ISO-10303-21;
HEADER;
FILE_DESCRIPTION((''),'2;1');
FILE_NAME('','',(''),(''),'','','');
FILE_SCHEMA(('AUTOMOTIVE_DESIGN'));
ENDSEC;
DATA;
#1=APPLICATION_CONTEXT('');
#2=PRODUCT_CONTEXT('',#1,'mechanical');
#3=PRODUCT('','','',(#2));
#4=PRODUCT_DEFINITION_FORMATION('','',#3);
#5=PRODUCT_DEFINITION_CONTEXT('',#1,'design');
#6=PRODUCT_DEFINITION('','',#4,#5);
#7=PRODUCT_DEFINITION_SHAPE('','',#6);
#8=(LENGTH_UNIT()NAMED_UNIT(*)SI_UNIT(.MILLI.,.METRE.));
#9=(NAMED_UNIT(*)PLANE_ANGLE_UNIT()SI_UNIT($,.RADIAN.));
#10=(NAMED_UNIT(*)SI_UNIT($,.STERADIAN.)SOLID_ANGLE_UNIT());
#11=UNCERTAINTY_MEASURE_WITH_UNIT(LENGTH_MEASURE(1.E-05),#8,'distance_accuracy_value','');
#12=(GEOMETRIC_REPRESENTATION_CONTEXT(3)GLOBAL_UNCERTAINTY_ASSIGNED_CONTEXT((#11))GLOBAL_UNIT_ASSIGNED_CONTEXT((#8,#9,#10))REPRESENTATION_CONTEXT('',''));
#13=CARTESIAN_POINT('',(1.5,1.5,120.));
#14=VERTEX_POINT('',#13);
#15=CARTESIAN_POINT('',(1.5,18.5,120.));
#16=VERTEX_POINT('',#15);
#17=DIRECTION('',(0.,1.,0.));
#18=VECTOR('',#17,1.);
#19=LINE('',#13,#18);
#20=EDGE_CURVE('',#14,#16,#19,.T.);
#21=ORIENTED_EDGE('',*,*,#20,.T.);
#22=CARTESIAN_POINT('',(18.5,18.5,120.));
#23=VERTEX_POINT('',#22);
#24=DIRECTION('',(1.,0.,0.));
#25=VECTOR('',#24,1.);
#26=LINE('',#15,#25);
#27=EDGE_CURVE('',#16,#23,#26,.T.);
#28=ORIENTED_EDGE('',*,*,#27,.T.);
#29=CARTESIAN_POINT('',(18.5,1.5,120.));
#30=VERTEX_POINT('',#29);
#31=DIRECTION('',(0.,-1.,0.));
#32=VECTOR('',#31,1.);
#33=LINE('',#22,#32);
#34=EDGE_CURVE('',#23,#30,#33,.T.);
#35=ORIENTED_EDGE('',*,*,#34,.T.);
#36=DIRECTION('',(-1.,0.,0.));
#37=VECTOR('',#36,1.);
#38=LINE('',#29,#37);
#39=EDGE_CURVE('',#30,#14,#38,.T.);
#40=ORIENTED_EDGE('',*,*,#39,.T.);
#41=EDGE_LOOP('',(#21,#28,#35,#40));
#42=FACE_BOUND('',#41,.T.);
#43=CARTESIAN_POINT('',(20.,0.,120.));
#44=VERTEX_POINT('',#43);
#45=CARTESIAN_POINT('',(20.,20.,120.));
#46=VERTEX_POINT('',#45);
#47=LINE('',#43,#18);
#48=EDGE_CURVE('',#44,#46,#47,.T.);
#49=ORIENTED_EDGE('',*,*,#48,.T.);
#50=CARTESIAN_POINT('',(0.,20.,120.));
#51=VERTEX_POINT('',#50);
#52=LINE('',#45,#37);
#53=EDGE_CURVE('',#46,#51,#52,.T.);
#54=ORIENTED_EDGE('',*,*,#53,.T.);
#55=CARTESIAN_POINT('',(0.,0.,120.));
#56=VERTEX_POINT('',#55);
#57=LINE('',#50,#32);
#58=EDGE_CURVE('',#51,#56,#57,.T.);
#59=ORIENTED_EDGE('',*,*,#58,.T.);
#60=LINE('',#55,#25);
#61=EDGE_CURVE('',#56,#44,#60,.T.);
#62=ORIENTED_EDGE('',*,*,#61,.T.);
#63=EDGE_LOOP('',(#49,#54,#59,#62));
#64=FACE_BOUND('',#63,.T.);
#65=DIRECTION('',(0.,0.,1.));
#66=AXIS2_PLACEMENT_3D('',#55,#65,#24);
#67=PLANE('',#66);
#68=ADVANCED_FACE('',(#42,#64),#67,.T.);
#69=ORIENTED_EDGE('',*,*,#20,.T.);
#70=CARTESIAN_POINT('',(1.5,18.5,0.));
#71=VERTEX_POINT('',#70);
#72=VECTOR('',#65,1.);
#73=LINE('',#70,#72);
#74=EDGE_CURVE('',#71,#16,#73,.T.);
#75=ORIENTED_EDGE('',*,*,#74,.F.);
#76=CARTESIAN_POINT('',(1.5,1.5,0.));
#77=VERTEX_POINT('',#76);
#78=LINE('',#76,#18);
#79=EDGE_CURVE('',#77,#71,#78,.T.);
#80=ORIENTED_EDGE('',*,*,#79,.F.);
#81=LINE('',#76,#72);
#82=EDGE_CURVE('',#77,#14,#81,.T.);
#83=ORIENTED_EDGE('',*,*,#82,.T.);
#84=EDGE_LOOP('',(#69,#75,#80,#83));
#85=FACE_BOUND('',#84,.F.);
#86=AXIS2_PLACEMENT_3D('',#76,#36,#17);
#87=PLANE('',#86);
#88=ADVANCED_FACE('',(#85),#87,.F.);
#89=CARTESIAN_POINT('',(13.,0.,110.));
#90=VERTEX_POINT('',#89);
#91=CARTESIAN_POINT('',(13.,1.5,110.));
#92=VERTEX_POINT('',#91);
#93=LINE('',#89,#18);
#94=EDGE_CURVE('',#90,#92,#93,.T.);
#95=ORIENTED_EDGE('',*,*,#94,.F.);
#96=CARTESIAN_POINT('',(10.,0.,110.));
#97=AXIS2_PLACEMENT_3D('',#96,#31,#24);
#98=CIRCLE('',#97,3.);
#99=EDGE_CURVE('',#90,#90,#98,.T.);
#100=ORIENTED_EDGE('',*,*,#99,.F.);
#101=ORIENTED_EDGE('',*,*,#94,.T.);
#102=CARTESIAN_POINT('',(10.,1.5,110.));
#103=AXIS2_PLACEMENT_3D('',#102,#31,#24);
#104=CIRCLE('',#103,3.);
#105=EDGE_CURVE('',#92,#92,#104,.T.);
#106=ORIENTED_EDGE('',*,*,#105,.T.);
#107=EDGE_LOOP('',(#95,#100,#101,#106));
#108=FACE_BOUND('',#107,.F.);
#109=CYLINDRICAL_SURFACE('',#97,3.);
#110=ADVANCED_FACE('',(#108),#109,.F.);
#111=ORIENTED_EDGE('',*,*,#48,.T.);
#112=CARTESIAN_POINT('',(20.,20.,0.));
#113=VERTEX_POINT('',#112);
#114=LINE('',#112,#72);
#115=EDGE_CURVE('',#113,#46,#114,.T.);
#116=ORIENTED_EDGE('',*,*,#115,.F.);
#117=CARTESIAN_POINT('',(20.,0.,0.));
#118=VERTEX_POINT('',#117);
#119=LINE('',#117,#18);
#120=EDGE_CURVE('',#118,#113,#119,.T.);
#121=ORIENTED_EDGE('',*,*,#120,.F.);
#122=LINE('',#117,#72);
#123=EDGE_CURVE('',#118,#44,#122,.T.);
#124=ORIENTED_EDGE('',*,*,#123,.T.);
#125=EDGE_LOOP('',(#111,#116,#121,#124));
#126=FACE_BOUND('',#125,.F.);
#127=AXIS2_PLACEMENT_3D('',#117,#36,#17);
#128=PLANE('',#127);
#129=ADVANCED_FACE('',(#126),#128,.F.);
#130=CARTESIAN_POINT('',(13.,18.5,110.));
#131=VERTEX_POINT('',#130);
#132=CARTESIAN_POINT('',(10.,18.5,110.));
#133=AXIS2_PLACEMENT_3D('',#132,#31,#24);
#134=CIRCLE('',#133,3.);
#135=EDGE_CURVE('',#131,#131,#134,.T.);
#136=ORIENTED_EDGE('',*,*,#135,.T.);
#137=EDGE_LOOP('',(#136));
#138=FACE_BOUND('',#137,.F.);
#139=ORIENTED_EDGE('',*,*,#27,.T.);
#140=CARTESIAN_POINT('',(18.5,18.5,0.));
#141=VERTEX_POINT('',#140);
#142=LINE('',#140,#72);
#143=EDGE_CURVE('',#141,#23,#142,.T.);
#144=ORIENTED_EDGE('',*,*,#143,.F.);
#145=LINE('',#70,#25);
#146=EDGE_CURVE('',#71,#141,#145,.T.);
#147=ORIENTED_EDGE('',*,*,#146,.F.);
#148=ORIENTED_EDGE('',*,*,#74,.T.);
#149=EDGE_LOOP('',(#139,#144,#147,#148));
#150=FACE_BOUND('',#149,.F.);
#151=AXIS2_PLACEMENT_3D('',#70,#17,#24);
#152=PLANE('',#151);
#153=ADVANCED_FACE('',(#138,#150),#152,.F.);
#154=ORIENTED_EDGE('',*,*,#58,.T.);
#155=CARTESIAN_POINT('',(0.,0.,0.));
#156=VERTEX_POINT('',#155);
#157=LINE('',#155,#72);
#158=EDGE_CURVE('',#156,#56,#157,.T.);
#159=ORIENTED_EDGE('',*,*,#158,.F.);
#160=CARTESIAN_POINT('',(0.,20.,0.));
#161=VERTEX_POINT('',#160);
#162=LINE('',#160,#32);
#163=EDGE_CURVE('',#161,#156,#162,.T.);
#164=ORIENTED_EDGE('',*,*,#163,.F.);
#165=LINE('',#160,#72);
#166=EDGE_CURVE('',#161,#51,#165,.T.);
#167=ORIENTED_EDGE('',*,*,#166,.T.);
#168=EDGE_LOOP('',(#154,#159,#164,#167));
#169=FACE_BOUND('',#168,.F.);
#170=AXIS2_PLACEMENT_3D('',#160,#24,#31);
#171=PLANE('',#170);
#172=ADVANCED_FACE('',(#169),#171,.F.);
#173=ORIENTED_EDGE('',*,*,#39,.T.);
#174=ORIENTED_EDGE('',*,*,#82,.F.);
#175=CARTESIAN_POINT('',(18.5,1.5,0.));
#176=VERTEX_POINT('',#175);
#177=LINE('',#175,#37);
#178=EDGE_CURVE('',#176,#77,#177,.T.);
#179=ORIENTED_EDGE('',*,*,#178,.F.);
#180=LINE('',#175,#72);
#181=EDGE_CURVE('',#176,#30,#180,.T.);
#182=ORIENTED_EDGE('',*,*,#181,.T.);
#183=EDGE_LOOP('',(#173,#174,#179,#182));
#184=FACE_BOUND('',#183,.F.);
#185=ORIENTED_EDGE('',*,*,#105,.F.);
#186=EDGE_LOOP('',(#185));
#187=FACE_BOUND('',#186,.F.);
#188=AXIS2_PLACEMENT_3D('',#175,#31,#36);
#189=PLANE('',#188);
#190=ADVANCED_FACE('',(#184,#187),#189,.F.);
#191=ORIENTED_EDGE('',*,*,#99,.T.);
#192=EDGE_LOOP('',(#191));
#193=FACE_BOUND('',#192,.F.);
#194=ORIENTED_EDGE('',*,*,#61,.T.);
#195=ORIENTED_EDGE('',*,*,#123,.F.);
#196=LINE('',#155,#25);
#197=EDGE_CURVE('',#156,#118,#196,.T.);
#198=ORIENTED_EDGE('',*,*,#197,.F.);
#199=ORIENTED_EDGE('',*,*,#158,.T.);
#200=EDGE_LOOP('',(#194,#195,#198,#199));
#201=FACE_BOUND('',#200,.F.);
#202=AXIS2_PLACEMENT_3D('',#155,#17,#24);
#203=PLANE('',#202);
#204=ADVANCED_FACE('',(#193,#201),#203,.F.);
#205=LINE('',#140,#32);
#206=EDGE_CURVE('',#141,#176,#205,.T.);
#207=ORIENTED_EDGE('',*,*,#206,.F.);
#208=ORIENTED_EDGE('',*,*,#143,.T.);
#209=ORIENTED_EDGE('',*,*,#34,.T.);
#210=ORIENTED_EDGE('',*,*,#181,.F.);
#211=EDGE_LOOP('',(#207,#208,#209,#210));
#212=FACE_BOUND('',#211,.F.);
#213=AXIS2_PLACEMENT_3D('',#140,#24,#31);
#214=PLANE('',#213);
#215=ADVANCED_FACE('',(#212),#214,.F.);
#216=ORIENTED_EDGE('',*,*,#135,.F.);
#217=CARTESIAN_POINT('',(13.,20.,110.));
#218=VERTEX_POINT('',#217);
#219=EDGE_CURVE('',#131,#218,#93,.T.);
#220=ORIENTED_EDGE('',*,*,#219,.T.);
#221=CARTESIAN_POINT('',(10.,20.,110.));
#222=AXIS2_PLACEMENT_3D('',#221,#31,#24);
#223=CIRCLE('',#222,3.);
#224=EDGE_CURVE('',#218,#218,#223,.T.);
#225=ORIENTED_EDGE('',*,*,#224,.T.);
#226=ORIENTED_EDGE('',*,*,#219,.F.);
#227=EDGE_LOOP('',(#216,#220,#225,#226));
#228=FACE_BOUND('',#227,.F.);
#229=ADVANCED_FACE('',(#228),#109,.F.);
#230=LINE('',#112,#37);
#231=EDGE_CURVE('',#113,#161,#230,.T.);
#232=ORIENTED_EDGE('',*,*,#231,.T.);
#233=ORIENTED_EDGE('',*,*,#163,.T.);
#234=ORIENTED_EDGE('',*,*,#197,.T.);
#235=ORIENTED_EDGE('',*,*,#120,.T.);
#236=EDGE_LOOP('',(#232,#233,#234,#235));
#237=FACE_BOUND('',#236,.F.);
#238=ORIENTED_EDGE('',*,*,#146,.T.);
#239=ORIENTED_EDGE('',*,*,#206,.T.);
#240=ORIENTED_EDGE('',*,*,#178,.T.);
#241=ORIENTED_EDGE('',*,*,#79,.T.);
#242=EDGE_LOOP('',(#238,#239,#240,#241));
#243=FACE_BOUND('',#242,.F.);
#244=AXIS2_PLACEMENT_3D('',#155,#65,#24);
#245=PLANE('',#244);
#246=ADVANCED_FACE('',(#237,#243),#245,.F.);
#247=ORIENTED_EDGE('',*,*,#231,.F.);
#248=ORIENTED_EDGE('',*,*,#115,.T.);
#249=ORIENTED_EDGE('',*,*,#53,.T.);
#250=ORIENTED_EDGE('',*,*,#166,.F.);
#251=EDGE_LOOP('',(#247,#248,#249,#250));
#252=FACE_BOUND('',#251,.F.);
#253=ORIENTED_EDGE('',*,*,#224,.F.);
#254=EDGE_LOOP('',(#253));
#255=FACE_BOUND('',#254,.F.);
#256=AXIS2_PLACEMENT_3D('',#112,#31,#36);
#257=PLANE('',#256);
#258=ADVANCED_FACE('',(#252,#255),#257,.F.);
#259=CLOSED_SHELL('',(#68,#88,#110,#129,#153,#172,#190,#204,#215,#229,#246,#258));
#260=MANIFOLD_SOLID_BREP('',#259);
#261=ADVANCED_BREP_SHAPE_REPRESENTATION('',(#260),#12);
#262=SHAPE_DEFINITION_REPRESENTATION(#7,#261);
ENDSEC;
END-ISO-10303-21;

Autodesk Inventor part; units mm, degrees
ref_plane "YZ Plane" through (0, 0, 0) normal (1, 0, 0) x (0, 1, 0)
ref_plane "XZ Plane" through (0, 0, 0) normal (0, 1, 0) x (-1, 0, 0)
ref_plane "XY Plane" through (0, 0, 0) normal (0, 0, 1) x (1, 0, 0)
sketch "Эскиз1" plane through (0, 0, 0) normal (0, 0, 1) x (1, 0, 0)
  line L0 (0, 0) -> (20, 0)
  line L1 (20, 0) -> (20, 20)
  line L2 (20, 20) -> (0, 20)
  line L3 (0, 20) -> (0, 0)
  line L4 (1.5, 18.5) -> (18.5, 18.5)
  line L5 (18.5, 18.5) -> (18.5, 1.5)
  line L6 (18.5, 1.5) -> (1.5, 1.5)
  line L7 (1.5, 1.5) -> (1.5, 18.5)
  dimension "d0" = 1.5
  dimension "d1" = 20
  dimension "d2" = 20
extrude "Выдавливание1" add sketch "Эскиз1" along normal blind 120
sketch "Эскиз2" plane through (0, 0, 0) normal (0, -1, 0) x (1, 0, 0)
  circle A0 centre (10, 110) radius 3
  line L0 (20, 0) -> (20, 120) projected
  line L1 (0, 120) -> (20, 120) projected
  point P0 (0, 0)
  point P1 (10, 120)
  dimension "d5" = 6
  dimension "d7" = 10
extrude "Выдавливание2" cut sketch "Эскиз2" against normal through all
equation "\"d1\" = d2"
properties part number "arm"
